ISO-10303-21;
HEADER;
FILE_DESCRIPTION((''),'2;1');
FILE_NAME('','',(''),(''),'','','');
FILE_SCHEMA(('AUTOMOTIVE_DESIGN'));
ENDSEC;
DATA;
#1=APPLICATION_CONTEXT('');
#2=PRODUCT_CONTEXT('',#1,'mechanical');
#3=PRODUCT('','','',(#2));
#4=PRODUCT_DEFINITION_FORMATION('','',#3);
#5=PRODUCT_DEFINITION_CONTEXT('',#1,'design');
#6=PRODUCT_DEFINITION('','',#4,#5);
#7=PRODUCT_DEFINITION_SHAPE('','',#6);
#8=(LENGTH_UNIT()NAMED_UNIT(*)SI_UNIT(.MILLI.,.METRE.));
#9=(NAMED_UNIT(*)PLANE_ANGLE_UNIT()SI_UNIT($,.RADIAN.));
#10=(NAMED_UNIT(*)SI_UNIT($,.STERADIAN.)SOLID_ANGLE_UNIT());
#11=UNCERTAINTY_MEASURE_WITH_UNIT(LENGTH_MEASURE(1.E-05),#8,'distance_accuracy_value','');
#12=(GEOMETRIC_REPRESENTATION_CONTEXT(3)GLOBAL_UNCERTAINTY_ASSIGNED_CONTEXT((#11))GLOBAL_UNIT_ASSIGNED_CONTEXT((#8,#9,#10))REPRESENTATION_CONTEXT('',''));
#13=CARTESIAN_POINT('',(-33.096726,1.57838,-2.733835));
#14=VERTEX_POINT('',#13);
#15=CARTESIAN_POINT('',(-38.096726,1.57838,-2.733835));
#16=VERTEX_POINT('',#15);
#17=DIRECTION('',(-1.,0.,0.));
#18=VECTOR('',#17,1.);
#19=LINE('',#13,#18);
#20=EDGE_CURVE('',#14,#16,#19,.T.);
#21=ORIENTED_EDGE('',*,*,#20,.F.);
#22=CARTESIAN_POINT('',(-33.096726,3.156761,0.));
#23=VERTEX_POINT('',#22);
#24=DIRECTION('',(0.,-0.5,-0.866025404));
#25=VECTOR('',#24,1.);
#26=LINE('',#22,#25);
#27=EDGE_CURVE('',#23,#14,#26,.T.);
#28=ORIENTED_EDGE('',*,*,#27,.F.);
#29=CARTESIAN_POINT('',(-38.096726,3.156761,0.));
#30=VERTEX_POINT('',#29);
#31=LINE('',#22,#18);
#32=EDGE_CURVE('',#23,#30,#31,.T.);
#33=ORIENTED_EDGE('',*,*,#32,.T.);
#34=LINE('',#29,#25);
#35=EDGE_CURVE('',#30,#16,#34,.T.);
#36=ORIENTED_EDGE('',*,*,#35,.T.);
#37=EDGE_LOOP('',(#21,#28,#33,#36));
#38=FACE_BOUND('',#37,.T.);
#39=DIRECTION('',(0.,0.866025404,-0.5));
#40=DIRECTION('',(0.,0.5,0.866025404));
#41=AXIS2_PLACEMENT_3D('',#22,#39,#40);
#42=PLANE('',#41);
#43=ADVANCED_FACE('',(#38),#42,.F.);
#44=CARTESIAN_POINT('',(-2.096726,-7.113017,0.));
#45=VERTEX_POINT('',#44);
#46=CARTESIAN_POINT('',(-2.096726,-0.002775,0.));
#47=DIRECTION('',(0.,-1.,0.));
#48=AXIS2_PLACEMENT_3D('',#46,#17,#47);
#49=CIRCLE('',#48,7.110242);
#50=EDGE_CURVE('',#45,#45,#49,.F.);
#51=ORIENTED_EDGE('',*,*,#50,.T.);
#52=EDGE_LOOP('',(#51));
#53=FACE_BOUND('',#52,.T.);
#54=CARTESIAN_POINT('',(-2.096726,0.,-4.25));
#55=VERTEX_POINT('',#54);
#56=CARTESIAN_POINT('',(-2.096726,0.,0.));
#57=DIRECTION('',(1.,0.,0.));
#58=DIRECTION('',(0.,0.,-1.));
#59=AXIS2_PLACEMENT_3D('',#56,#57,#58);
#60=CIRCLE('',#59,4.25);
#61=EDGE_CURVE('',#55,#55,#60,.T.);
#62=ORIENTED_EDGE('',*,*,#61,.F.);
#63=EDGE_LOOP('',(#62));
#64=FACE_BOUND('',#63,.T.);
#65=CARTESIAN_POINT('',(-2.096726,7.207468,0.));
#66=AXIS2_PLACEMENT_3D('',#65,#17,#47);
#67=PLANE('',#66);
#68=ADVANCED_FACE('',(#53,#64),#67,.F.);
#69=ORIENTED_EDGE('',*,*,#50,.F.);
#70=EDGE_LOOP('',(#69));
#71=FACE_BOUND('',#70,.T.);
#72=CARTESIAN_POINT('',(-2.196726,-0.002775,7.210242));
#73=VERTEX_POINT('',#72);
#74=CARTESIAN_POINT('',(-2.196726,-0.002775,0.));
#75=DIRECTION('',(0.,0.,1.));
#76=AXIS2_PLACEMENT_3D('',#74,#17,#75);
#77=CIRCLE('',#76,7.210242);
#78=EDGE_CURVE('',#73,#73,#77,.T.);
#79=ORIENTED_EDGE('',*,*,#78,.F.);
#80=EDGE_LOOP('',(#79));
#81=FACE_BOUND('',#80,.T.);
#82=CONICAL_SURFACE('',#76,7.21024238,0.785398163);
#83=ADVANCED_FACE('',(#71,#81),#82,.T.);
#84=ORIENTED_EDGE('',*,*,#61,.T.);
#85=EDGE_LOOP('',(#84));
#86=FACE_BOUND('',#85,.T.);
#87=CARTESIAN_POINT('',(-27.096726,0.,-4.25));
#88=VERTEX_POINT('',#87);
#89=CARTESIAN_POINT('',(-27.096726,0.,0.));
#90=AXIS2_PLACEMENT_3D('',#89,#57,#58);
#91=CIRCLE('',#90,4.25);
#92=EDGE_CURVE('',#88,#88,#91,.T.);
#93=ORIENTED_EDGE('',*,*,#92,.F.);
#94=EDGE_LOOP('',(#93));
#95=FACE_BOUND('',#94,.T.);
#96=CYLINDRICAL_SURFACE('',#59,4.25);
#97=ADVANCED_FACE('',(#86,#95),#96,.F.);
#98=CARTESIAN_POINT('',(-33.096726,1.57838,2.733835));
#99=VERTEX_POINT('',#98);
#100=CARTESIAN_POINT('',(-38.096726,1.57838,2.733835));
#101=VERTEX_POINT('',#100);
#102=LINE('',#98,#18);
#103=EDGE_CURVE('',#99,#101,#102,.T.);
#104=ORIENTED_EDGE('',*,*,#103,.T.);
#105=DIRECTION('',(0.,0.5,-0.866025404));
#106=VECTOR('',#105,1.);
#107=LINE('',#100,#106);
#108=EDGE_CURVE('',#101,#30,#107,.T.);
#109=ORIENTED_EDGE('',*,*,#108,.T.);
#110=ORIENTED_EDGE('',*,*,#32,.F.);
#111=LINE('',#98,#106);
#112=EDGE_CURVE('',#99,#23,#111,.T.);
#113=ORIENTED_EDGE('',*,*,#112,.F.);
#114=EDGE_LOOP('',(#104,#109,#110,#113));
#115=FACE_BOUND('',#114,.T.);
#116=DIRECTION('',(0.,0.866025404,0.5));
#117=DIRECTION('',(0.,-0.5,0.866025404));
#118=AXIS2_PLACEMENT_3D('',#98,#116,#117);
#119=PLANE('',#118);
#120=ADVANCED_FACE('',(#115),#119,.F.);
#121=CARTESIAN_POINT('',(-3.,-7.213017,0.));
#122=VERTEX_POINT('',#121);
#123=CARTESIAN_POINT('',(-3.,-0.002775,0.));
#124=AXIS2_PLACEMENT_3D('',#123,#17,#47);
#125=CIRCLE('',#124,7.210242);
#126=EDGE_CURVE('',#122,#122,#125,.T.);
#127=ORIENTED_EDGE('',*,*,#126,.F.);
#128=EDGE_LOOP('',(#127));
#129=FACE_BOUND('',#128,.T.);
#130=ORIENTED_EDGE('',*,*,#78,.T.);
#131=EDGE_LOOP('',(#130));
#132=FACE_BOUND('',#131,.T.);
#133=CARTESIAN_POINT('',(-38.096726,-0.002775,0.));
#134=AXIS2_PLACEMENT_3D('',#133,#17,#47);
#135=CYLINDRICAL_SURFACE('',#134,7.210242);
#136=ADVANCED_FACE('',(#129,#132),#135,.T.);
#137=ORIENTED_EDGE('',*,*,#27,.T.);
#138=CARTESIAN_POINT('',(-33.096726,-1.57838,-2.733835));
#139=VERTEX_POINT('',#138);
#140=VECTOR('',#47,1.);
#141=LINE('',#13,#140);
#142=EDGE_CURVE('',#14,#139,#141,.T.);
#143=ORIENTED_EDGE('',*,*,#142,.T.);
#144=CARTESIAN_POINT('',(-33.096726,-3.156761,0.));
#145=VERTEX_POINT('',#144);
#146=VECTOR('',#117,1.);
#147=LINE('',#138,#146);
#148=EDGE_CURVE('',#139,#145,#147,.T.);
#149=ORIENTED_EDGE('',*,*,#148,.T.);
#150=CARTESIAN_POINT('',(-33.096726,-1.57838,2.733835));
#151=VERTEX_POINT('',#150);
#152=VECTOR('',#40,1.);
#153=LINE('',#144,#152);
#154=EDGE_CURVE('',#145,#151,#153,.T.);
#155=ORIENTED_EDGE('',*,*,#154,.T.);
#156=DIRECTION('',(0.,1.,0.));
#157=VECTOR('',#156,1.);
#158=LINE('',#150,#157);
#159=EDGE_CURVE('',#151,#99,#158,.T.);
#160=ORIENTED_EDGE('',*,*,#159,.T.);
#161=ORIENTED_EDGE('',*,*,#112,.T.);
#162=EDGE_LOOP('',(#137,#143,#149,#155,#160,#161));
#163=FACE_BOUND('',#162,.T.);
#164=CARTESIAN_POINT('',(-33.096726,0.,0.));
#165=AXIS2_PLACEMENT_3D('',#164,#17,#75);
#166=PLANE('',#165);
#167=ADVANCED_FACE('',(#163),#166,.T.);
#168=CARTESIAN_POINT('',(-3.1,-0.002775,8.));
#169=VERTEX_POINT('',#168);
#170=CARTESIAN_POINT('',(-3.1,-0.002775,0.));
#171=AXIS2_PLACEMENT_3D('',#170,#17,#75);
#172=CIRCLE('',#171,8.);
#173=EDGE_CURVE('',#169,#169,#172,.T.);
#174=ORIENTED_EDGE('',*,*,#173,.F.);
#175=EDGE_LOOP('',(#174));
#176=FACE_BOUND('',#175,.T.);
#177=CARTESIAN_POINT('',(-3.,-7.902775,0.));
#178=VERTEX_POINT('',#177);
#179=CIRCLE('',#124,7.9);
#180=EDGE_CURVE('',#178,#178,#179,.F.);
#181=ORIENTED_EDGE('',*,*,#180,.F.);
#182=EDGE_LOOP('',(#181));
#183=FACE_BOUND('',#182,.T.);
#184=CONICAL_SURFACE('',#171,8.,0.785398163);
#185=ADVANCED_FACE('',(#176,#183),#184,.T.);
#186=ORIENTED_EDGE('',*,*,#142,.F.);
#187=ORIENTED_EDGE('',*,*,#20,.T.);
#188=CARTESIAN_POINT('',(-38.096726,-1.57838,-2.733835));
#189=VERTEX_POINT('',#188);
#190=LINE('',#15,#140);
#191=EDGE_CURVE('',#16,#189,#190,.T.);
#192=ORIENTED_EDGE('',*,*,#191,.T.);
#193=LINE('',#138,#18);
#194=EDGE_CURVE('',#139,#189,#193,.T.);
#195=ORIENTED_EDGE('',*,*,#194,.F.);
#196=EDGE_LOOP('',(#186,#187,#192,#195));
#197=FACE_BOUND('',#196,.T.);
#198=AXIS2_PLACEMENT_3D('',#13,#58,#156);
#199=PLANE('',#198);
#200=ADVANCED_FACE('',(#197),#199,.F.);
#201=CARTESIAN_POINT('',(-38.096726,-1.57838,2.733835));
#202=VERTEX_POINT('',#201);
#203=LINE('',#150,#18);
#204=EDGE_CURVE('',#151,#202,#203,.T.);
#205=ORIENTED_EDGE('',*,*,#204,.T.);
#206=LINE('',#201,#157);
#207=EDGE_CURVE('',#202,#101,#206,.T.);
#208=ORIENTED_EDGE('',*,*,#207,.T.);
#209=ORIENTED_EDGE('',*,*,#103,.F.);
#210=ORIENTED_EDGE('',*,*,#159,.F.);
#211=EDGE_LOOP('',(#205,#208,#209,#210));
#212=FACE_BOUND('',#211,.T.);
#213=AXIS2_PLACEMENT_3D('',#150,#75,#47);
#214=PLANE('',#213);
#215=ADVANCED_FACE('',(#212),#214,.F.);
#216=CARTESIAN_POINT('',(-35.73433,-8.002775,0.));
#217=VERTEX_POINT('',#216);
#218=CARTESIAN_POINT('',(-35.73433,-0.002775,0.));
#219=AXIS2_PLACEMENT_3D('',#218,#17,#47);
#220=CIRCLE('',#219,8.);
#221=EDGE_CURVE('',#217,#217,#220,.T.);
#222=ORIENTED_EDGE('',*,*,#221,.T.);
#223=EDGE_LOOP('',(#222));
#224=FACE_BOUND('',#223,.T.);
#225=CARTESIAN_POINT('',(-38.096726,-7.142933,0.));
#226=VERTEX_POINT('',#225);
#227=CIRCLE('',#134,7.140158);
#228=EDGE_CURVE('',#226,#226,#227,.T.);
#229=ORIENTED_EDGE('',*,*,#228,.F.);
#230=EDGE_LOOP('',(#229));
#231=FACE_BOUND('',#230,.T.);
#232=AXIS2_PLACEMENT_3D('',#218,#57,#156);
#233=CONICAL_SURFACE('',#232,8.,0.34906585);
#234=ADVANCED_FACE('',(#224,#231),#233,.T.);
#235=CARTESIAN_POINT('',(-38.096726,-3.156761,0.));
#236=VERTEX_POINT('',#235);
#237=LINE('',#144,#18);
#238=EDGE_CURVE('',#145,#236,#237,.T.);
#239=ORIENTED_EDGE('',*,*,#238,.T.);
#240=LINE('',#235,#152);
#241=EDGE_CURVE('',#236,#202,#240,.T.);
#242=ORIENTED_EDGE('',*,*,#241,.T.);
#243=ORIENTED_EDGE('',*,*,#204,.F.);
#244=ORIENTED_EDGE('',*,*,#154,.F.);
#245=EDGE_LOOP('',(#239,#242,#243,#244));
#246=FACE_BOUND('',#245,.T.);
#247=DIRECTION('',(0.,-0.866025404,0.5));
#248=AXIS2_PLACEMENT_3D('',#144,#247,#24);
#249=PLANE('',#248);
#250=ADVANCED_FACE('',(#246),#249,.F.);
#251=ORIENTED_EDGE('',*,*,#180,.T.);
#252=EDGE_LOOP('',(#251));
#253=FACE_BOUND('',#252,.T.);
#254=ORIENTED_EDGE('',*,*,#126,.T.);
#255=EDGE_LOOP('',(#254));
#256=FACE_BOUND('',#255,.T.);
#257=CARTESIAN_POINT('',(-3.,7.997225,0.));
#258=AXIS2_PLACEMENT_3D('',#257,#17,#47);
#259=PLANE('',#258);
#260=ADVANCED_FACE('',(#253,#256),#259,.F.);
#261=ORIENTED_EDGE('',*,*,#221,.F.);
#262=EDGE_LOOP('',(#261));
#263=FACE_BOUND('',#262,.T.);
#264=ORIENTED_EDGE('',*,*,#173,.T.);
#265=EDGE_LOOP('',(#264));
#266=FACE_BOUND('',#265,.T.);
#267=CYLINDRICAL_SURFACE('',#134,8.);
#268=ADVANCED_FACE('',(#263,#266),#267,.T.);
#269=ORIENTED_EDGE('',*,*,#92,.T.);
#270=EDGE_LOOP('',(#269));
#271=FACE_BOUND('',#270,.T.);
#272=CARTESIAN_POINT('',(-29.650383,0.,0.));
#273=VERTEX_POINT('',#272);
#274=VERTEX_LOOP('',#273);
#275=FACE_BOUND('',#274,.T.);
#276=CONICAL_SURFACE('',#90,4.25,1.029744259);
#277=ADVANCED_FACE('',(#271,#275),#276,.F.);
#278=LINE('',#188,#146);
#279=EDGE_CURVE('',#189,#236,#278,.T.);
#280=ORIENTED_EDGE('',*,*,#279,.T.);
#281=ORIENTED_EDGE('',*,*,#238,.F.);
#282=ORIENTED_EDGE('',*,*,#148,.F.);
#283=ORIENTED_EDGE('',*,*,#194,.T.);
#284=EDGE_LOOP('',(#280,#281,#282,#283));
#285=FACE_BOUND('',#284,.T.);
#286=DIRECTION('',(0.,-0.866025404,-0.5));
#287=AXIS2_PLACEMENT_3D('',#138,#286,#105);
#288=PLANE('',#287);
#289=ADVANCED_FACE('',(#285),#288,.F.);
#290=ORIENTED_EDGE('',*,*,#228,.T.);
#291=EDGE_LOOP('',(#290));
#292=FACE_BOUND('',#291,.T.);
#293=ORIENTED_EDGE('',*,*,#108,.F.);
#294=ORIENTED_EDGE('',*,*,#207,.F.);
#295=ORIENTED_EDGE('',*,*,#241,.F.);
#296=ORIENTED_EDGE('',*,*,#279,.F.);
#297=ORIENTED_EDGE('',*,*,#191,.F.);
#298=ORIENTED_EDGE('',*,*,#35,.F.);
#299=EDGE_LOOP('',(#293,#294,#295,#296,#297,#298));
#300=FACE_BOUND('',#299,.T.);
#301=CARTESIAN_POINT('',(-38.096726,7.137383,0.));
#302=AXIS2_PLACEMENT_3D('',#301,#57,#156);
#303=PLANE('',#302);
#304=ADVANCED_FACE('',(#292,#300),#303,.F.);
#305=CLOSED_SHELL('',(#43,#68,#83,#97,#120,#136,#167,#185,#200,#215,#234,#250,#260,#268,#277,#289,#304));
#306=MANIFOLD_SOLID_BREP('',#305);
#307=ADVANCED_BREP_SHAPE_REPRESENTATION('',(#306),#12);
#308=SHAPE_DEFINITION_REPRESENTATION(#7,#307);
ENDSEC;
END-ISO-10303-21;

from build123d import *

# Parameters (mm, degrees)
CORTAR_EXTRUIR1_DEPTH      = 5
CHAFL_N1_SIZE              = 0.1
TALADRO_ROSCADO_M101_D     = 8.5
TALADRO_ROSCADO_M101_DEPTH = 25
TALADRO_ROSCADO_M101_TIP   = 2.553657631


with BuildPart() as part:
    # Sketch1 → Revolve1 (revolve)
    with BuildSketch(Plane.XY, mode=Mode.PRIVATE) as revolve1_sk:
        Polygon((-3, 7.99722512), (-35.734329665, 7.99722512), (-38.096725725, 7.137383273), (-38.096725725, -0.00277488), (-2.096725725, -0.00277488), (-2.096725725, 7.2074675), (-3, 7.2074675), align=None)
    revolve(revolve1_sk.sketch.rotate(Axis((-38.096725725, -0.00277488, 0), (1, 0, 0)), 180), axis=Axis((-38.096725725, -0.00277488, 0), (1, 0, 0)))

    # Croquis3 → Cortar-Extruir1 (cut)
    with BuildSketch(Plane.ZY.offset(38.096725725)):
        Polygon((0, -3.156760752), (2.733835005, -1.578380376), (2.733835005, 1.578380376), (0, 3.156760752), (-2.733835005, 1.578380376), (-2.733835005, -1.578380376), align=None)
    extrude(amount=-CORTAR_EXTRUIR1_DEPTH, mode=Mode.SUBTRACT)

    # Chaflán1
    chafl_n1_edges = [part.edges().sort_by_distance(p)[0] for p in [
        (-2.096725725, 7.2074675, 0),
        (-3, 7.99722512, 0),
    ]]
    chamfer(chafl_n1_edges, length=CHAFL_N1_SIZE)

    # Taladro roscado M101
    with Locations(Plane(origin=(-2.096725725, 0, 0), x_dir=(0, 0, -1), z_dir=(1, 0, 0))):
        with Locations((0, 0)):
            Hole(TALADRO_ROSCADO_M101_D / 2, depth=TALADRO_ROSCADO_M101_DEPTH)
            with Locations((0, 0, -(TALADRO_ROSCADO_M101_DEPTH + TALADRO_ROSCADO_M101_TIP / 2))):  # 118° drill point
                Cone(0, TALADRO_ROSCADO_M101_D / 2, TALADRO_ROSCADO_M101_TIP, mode=Mode.SUBTRACT)


solid = part.part
